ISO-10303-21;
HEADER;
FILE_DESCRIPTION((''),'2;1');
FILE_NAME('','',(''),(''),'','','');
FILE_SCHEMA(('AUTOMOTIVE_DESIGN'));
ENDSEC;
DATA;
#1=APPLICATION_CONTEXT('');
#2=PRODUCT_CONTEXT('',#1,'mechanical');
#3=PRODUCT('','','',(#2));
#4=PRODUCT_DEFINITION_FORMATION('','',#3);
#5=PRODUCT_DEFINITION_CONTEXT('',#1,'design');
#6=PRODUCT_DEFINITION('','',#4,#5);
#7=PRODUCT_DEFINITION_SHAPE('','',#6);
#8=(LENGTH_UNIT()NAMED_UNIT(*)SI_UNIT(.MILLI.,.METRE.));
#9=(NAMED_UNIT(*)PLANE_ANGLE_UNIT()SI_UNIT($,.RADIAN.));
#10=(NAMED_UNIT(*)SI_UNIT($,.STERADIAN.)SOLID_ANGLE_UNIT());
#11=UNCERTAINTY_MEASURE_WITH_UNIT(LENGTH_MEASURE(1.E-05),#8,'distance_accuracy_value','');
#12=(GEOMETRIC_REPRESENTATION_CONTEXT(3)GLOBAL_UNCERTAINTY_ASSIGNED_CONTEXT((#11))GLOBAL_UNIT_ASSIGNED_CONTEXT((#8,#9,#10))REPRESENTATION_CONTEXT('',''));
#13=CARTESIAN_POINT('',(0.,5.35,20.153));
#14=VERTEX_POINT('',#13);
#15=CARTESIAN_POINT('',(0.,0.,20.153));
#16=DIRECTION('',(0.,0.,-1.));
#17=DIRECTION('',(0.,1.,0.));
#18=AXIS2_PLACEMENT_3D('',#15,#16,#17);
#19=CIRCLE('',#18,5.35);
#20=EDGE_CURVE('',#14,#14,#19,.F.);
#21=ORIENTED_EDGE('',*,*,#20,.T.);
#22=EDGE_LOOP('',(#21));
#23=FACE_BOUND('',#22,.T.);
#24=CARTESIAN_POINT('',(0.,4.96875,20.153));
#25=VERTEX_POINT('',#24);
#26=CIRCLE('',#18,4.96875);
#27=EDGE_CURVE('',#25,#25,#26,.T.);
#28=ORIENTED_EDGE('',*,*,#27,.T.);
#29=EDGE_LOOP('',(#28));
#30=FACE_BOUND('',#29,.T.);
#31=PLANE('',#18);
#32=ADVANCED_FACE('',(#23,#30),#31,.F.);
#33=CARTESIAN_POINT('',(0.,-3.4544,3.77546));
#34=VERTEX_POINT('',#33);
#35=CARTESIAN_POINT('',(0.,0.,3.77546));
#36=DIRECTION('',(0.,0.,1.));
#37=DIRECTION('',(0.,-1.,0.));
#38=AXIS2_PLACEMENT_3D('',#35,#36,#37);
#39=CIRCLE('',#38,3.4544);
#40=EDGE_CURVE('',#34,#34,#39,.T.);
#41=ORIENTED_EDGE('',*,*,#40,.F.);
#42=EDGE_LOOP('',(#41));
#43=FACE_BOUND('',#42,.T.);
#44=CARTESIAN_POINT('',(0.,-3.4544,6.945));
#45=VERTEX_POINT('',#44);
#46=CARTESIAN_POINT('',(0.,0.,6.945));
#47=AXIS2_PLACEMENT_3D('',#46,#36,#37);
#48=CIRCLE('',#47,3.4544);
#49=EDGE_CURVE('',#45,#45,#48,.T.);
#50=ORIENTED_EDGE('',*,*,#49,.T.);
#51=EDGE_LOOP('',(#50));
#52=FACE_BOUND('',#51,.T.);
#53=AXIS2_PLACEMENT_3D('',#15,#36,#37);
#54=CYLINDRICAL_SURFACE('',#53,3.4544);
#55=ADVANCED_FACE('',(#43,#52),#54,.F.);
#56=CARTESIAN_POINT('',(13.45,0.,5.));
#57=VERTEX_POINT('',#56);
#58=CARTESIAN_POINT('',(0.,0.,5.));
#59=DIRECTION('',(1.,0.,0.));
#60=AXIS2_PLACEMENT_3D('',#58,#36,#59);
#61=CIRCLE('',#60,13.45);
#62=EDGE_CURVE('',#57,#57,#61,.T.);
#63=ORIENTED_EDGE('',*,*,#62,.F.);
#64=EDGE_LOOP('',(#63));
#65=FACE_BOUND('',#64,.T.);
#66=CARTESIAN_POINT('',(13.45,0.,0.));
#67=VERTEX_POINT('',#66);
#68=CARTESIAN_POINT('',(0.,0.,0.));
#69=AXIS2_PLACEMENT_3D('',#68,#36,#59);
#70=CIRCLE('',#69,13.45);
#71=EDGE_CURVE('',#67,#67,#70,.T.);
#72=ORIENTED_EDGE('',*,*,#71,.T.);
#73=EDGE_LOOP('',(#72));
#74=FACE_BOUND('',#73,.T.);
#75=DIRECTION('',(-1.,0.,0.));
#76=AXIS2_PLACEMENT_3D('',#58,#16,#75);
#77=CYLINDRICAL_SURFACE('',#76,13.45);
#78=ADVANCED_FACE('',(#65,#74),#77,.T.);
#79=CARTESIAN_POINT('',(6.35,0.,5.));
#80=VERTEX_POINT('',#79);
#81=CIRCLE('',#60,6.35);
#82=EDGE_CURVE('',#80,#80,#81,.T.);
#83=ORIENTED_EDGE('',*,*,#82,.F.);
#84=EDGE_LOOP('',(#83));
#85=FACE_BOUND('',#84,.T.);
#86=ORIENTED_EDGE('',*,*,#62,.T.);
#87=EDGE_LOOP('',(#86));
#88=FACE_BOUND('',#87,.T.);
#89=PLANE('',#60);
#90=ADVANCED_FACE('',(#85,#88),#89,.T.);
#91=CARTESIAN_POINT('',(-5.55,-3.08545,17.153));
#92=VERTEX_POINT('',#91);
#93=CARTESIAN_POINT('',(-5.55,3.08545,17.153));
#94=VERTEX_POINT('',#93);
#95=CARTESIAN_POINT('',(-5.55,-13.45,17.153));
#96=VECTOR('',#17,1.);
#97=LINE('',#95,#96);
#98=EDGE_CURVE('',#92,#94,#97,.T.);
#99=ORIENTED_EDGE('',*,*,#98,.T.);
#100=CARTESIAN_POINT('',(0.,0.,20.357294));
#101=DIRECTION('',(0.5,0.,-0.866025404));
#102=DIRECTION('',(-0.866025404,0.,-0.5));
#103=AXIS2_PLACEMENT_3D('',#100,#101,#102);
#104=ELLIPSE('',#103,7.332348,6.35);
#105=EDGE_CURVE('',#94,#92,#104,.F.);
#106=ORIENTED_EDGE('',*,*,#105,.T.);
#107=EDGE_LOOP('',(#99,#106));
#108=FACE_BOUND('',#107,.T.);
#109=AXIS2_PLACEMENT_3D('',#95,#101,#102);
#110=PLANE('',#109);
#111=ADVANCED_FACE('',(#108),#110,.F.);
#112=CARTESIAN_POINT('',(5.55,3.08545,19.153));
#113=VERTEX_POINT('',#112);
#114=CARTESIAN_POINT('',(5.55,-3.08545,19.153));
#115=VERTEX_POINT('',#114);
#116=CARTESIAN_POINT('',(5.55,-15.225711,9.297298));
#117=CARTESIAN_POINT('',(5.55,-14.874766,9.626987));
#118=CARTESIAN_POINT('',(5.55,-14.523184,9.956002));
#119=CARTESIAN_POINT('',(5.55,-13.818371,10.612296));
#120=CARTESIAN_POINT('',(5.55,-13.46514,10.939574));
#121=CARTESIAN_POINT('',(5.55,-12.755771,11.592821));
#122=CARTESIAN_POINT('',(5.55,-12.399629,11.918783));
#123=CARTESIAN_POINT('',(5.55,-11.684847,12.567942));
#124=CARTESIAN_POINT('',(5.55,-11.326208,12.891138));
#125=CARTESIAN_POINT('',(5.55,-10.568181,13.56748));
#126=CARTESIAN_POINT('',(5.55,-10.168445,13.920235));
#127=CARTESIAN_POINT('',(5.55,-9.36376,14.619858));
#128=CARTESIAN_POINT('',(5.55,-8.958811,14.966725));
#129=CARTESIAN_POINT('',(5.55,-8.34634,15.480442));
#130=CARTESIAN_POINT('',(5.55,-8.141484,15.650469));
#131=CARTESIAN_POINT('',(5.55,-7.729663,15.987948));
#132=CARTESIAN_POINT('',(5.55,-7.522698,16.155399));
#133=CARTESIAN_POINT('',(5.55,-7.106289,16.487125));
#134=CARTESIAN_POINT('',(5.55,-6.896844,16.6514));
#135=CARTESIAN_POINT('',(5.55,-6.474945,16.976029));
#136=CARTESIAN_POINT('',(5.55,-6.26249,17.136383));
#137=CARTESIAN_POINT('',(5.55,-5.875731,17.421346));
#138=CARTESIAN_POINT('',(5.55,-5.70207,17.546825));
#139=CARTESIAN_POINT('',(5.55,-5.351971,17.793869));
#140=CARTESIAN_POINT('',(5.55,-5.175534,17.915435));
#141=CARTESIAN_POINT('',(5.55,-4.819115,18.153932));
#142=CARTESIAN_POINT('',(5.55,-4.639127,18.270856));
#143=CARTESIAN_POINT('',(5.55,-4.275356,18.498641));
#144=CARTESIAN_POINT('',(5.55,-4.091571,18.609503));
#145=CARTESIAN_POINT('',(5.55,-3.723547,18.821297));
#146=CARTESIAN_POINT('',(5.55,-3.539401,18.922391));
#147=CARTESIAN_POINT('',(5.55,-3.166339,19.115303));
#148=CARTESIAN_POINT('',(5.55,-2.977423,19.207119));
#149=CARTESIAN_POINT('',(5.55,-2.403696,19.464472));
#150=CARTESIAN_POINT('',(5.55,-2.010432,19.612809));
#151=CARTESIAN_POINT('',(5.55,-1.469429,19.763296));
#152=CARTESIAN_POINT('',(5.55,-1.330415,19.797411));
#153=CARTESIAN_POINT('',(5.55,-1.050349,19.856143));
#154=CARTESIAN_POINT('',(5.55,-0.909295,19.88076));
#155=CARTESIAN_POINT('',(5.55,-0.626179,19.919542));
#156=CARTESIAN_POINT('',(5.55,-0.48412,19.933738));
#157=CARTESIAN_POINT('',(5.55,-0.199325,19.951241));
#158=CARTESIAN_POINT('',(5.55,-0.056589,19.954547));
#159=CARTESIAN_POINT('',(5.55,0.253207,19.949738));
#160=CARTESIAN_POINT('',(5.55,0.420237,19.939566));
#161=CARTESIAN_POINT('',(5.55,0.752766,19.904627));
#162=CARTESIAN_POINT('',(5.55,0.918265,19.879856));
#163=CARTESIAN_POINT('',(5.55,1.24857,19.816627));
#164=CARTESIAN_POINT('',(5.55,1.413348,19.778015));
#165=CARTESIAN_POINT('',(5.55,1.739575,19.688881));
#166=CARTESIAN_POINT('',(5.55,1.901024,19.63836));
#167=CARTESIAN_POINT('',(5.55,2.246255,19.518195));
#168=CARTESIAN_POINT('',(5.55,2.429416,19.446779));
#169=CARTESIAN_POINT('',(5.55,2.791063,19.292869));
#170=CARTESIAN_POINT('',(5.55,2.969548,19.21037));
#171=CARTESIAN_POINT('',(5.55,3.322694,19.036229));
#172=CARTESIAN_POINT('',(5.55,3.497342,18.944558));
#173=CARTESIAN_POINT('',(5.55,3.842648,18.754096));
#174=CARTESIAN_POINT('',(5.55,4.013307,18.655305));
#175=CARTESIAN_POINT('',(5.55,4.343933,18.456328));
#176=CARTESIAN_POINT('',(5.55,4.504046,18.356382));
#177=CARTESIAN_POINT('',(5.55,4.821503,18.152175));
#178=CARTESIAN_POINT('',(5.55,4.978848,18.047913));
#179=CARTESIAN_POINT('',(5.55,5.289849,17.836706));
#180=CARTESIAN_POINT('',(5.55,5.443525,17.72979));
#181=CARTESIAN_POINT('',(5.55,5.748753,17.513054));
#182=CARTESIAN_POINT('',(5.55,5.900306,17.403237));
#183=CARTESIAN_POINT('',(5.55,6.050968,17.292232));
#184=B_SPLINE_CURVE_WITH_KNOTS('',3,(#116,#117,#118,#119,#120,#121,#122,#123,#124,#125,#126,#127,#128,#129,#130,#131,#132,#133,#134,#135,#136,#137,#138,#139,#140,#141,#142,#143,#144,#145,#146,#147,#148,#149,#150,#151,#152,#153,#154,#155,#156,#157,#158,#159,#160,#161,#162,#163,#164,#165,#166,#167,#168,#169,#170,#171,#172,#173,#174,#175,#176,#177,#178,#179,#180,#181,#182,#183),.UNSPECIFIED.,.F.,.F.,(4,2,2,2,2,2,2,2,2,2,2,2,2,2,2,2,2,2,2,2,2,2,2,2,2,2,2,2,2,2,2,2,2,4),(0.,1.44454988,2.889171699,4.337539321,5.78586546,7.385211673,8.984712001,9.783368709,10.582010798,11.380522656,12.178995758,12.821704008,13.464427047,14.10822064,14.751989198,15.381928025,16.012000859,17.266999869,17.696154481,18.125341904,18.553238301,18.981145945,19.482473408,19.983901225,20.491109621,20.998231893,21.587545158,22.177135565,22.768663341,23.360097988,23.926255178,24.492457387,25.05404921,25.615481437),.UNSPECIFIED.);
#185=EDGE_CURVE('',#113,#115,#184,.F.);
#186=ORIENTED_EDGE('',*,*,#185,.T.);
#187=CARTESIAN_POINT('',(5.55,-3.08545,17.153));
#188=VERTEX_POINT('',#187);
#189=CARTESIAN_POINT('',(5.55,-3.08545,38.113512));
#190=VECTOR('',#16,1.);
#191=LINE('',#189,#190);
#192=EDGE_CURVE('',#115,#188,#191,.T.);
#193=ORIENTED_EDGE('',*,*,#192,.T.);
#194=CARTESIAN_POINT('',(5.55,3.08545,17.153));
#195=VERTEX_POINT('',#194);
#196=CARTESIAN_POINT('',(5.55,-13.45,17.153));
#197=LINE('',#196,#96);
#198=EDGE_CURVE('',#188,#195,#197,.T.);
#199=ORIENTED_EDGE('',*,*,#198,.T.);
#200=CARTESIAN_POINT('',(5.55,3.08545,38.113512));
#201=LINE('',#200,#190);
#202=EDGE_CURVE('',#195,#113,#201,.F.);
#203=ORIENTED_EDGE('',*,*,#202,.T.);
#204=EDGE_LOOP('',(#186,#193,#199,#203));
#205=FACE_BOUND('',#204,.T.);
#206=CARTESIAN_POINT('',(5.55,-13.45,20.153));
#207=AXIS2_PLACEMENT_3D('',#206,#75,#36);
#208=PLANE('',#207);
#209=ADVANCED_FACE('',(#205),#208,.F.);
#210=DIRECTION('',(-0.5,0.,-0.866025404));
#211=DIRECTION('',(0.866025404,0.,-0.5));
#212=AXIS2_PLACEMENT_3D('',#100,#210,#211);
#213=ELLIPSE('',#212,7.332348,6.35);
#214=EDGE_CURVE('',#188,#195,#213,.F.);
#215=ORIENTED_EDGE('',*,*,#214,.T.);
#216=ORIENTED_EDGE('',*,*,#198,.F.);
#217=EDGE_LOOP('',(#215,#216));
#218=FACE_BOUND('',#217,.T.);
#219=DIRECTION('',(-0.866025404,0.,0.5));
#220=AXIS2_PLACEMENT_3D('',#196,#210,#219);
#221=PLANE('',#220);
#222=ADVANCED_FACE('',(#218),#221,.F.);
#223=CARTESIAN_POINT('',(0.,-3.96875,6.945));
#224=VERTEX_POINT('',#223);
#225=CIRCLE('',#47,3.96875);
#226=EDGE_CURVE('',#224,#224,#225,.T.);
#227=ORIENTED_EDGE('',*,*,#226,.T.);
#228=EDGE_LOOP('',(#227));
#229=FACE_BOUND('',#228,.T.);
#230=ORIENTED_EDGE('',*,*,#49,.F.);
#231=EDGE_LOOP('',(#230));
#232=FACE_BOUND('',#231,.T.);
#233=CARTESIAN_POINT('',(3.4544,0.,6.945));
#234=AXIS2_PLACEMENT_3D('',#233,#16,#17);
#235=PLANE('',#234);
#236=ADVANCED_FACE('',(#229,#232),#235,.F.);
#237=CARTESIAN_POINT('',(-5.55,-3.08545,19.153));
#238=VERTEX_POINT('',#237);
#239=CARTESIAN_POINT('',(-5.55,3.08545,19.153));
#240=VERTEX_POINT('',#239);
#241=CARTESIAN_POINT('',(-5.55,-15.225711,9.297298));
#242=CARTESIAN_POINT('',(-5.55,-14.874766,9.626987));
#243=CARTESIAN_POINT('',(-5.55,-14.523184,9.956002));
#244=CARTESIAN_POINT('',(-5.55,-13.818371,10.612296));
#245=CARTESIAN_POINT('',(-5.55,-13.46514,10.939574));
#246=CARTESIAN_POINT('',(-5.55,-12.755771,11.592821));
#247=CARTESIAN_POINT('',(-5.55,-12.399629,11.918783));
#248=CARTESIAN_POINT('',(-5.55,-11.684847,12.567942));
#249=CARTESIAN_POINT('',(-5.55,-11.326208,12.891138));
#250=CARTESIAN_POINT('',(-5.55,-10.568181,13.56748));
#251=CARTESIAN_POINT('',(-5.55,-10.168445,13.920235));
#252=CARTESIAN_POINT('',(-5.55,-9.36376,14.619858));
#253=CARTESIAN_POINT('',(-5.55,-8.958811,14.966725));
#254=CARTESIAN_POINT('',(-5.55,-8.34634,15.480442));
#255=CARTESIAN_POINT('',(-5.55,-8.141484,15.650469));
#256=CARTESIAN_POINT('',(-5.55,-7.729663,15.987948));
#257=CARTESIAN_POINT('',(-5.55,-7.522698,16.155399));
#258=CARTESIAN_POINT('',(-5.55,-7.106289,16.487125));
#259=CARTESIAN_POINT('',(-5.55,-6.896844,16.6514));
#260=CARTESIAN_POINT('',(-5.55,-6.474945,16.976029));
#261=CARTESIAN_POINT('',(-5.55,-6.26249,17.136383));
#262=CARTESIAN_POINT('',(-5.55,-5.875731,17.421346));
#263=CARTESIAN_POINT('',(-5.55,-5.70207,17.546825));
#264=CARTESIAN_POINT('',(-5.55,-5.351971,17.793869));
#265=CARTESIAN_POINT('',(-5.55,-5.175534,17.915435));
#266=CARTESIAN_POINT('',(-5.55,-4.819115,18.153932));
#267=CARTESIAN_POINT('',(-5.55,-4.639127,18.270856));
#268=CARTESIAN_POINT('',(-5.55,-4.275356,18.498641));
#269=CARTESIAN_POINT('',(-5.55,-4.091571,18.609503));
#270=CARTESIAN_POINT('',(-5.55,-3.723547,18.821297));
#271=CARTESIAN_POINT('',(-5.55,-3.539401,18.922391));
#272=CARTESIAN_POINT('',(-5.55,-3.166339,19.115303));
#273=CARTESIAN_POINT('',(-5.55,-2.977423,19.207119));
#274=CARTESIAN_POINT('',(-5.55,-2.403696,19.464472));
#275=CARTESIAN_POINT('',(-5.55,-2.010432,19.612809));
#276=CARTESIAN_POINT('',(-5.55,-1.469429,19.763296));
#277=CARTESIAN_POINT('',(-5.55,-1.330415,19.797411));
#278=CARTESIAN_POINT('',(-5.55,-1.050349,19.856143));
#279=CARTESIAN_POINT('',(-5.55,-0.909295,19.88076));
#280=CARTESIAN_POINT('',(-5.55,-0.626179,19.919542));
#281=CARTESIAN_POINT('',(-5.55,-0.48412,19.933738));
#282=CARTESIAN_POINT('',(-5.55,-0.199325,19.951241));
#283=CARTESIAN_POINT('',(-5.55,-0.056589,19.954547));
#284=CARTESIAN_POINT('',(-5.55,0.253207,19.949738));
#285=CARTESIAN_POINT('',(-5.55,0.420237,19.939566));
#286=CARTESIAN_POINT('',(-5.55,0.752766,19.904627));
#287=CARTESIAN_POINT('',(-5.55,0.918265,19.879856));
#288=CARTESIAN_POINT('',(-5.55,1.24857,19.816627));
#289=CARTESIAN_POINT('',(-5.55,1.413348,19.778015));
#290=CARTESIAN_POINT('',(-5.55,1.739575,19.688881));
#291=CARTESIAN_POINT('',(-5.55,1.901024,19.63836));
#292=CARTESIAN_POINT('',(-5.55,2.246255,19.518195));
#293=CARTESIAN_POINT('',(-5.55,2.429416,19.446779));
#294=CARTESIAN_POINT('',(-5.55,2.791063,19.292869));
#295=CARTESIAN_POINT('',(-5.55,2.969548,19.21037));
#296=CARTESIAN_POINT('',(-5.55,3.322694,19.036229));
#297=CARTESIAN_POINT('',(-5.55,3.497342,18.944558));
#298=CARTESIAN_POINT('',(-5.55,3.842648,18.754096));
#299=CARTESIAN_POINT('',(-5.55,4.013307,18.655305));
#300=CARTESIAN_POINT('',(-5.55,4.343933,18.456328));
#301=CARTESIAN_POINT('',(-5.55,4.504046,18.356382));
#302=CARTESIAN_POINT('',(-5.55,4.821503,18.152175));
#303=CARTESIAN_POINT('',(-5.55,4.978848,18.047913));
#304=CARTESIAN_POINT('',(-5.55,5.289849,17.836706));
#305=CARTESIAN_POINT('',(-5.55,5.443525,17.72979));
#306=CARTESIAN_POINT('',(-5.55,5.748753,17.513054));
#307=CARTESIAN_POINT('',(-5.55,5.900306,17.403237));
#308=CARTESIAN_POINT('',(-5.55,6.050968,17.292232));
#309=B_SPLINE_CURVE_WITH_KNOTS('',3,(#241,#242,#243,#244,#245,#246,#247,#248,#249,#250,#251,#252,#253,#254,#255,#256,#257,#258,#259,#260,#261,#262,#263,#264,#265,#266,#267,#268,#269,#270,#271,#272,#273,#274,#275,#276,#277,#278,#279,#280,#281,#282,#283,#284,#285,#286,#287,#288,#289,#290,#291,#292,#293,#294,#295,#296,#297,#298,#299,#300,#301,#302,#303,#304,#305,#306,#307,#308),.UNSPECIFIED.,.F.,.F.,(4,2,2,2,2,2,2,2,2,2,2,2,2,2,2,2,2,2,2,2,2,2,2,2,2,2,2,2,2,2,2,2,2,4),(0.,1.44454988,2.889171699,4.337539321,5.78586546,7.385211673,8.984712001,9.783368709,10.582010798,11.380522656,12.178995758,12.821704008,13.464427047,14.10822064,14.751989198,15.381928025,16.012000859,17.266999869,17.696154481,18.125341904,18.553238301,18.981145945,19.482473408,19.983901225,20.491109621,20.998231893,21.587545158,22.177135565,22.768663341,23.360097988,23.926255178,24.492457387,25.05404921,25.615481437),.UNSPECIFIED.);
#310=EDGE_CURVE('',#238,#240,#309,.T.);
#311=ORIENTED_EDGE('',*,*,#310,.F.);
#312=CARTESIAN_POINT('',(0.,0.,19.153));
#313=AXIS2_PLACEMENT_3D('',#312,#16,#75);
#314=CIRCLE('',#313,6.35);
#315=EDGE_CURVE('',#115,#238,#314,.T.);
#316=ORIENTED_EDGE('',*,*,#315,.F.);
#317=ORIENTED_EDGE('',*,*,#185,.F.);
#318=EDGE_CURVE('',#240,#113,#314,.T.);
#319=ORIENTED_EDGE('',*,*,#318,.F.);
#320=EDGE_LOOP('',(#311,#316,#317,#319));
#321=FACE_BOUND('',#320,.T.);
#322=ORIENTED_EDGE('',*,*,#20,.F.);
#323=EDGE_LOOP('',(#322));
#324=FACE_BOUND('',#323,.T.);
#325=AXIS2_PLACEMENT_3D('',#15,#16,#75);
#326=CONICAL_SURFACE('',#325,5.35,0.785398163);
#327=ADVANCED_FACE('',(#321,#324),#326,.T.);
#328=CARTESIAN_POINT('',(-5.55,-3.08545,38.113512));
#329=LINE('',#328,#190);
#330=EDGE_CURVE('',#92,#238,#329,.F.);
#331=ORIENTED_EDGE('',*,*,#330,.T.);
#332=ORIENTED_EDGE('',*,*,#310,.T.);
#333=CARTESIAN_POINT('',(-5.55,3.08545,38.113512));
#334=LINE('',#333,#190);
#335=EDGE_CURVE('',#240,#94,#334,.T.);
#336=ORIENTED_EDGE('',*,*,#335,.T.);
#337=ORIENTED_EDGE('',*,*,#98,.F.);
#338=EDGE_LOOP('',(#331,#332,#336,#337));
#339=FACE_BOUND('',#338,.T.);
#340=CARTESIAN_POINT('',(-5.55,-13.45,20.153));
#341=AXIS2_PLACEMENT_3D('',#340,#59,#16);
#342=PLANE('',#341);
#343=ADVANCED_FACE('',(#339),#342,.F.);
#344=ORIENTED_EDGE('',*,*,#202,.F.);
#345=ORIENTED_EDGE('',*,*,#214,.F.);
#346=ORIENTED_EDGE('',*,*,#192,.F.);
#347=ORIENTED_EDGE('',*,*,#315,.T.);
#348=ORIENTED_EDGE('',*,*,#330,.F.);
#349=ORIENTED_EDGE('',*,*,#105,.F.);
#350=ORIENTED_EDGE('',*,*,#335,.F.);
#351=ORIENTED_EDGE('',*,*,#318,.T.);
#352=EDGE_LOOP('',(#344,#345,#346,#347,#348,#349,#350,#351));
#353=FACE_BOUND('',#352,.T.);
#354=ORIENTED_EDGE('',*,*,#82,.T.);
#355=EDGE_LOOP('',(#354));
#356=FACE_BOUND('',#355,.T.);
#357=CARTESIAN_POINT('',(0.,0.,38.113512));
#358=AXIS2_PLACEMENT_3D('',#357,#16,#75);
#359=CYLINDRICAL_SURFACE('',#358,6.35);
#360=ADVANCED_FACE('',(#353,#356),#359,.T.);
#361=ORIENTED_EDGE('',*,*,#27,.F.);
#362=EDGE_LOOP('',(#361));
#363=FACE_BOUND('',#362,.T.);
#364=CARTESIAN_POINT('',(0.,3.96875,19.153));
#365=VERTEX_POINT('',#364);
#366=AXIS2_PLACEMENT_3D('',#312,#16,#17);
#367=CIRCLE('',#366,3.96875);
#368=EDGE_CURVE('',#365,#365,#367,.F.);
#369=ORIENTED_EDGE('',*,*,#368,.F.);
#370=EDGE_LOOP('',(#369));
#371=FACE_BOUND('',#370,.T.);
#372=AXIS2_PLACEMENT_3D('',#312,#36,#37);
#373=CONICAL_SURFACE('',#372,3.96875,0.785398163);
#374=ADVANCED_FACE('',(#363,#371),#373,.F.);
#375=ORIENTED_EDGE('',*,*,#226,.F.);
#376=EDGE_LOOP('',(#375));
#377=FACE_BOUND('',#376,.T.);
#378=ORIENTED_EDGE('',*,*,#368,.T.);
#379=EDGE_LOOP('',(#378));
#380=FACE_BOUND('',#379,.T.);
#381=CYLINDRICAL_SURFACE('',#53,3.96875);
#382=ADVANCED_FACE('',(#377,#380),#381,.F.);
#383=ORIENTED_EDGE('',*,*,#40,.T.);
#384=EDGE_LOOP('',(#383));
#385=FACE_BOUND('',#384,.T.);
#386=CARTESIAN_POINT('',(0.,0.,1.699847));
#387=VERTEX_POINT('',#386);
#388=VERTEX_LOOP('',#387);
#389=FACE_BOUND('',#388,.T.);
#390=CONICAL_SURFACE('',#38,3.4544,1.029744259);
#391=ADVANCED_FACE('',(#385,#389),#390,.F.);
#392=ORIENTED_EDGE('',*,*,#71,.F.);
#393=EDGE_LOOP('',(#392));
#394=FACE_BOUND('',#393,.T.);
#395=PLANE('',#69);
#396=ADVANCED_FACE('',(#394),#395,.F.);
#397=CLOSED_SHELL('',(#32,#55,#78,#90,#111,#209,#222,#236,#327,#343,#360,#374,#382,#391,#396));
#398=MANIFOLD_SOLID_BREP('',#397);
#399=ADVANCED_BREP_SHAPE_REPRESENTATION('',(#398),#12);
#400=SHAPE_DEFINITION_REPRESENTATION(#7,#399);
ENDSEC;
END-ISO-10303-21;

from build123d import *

# Parameters (mm, degrees)
SKETCH1_R                                 = 13.45
PISTON_DEPTH                              = 5
SKETCH2_R                                 = 6.35
ROD_DEPTH                                 = 20.153
F_106_5_16_24_INTERNAL_THREAD_D           = 6.9088
F_106_5_16_24_INTERNAL_THREAD_DEPTH       = 16.37754
F_106_5_16_24_INTERNAL_THREAD_CBORE_D     = 7.9375
F_106_5_16_24_INTERNAL_THREAD_CBORE_DEPTH = 13.208
F_106_5_16_24_INTERNAL_THREAD_TIP         = 2.075612922
ROD_END_CHAMFER_SIZE                      = 1
WRENCH_FLATS_DEPTH                        = 28.711882091
WRENCH_FLATS_DEPTH_BACK                   = 28.711882091


with BuildPart() as part:
    # Sketch1 → Piston (new body)
    with BuildSketch(Plane.XY):
        Circle(SKETCH1_R)
    extrude(amount=PISTON_DEPTH)

    # Sketch2 → Rod (add)
    with BuildSketch(Plane(origin=(0, 0, 0), x_dir=(-1, 0, 0), z_dir=(0, 0, -1))):
        with Locations(Location((0, 0, 0), (0, 0, 90))):
            Circle(SKETCH2_R)
    extrude(amount=-ROD_DEPTH)

    # 106 5/16-24 Internal Thread
    with Locations(Plane(origin=(0, 0, 20.153), x_dir=(0, 1, 0), z_dir=(0, 0, 1))):
        with Locations((0, 0)):
            CounterBoreHole(F_106_5_16_24_INTERNAL_THREAD_D / 2, F_106_5_16_24_INTERNAL_THREAD_CBORE_D / 2, F_106_5_16_24_INTERNAL_THREAD_CBORE_DEPTH, depth=F_106_5_16_24_INTERNAL_THREAD_DEPTH)
            with Locations((0, 0, -(F_106_5_16_24_INTERNAL_THREAD_DEPTH + F_106_5_16_24_INTERNAL_THREAD_TIP / 2))):  # 118° drill point
                Cone(0, F_106_5_16_24_INTERNAL_THREAD_D / 2, F_106_5_16_24_INTERNAL_THREAD_TIP, mode=Mode.SUBTRACT)

    # Rod End Chamfer
    rod_end_chamfer_edges = [part.edges().sort_by_distance(p)[0] for p in [
        (0, -3.96875, 20.153),
        (0, -6.35, 20.153),
    ]]
    chamfer(rod_end_chamfer_edges, length=ROD_END_CHAMFER_SIZE)

    # Sketch11 → Wrench Flats (cut, two sides: drawn at the far end of the back side and taken through both)
    with BuildSketch(Plane(origin=(0, 0, 0), x_dir=(1, 0, 0), z_dir=(0, 1, 0)).offset(-WRENCH_FLATS_DEPTH_BACK)):
        Polygon((-5.55, -20.153), (-5.55, -17.153), (-10.55, -14.266248654), (-10.55, -20.153), align=None)
        Polygon((5.55, -20.153), (5.55, -17.153), (10.55, -14.266248654), (10.55, -20.153), align=None)
    extrude(amount=WRENCH_FLATS_DEPTH + WRENCH_FLATS_DEPTH_BACK, mode=Mode.SUBTRACT)


solid = part.part
